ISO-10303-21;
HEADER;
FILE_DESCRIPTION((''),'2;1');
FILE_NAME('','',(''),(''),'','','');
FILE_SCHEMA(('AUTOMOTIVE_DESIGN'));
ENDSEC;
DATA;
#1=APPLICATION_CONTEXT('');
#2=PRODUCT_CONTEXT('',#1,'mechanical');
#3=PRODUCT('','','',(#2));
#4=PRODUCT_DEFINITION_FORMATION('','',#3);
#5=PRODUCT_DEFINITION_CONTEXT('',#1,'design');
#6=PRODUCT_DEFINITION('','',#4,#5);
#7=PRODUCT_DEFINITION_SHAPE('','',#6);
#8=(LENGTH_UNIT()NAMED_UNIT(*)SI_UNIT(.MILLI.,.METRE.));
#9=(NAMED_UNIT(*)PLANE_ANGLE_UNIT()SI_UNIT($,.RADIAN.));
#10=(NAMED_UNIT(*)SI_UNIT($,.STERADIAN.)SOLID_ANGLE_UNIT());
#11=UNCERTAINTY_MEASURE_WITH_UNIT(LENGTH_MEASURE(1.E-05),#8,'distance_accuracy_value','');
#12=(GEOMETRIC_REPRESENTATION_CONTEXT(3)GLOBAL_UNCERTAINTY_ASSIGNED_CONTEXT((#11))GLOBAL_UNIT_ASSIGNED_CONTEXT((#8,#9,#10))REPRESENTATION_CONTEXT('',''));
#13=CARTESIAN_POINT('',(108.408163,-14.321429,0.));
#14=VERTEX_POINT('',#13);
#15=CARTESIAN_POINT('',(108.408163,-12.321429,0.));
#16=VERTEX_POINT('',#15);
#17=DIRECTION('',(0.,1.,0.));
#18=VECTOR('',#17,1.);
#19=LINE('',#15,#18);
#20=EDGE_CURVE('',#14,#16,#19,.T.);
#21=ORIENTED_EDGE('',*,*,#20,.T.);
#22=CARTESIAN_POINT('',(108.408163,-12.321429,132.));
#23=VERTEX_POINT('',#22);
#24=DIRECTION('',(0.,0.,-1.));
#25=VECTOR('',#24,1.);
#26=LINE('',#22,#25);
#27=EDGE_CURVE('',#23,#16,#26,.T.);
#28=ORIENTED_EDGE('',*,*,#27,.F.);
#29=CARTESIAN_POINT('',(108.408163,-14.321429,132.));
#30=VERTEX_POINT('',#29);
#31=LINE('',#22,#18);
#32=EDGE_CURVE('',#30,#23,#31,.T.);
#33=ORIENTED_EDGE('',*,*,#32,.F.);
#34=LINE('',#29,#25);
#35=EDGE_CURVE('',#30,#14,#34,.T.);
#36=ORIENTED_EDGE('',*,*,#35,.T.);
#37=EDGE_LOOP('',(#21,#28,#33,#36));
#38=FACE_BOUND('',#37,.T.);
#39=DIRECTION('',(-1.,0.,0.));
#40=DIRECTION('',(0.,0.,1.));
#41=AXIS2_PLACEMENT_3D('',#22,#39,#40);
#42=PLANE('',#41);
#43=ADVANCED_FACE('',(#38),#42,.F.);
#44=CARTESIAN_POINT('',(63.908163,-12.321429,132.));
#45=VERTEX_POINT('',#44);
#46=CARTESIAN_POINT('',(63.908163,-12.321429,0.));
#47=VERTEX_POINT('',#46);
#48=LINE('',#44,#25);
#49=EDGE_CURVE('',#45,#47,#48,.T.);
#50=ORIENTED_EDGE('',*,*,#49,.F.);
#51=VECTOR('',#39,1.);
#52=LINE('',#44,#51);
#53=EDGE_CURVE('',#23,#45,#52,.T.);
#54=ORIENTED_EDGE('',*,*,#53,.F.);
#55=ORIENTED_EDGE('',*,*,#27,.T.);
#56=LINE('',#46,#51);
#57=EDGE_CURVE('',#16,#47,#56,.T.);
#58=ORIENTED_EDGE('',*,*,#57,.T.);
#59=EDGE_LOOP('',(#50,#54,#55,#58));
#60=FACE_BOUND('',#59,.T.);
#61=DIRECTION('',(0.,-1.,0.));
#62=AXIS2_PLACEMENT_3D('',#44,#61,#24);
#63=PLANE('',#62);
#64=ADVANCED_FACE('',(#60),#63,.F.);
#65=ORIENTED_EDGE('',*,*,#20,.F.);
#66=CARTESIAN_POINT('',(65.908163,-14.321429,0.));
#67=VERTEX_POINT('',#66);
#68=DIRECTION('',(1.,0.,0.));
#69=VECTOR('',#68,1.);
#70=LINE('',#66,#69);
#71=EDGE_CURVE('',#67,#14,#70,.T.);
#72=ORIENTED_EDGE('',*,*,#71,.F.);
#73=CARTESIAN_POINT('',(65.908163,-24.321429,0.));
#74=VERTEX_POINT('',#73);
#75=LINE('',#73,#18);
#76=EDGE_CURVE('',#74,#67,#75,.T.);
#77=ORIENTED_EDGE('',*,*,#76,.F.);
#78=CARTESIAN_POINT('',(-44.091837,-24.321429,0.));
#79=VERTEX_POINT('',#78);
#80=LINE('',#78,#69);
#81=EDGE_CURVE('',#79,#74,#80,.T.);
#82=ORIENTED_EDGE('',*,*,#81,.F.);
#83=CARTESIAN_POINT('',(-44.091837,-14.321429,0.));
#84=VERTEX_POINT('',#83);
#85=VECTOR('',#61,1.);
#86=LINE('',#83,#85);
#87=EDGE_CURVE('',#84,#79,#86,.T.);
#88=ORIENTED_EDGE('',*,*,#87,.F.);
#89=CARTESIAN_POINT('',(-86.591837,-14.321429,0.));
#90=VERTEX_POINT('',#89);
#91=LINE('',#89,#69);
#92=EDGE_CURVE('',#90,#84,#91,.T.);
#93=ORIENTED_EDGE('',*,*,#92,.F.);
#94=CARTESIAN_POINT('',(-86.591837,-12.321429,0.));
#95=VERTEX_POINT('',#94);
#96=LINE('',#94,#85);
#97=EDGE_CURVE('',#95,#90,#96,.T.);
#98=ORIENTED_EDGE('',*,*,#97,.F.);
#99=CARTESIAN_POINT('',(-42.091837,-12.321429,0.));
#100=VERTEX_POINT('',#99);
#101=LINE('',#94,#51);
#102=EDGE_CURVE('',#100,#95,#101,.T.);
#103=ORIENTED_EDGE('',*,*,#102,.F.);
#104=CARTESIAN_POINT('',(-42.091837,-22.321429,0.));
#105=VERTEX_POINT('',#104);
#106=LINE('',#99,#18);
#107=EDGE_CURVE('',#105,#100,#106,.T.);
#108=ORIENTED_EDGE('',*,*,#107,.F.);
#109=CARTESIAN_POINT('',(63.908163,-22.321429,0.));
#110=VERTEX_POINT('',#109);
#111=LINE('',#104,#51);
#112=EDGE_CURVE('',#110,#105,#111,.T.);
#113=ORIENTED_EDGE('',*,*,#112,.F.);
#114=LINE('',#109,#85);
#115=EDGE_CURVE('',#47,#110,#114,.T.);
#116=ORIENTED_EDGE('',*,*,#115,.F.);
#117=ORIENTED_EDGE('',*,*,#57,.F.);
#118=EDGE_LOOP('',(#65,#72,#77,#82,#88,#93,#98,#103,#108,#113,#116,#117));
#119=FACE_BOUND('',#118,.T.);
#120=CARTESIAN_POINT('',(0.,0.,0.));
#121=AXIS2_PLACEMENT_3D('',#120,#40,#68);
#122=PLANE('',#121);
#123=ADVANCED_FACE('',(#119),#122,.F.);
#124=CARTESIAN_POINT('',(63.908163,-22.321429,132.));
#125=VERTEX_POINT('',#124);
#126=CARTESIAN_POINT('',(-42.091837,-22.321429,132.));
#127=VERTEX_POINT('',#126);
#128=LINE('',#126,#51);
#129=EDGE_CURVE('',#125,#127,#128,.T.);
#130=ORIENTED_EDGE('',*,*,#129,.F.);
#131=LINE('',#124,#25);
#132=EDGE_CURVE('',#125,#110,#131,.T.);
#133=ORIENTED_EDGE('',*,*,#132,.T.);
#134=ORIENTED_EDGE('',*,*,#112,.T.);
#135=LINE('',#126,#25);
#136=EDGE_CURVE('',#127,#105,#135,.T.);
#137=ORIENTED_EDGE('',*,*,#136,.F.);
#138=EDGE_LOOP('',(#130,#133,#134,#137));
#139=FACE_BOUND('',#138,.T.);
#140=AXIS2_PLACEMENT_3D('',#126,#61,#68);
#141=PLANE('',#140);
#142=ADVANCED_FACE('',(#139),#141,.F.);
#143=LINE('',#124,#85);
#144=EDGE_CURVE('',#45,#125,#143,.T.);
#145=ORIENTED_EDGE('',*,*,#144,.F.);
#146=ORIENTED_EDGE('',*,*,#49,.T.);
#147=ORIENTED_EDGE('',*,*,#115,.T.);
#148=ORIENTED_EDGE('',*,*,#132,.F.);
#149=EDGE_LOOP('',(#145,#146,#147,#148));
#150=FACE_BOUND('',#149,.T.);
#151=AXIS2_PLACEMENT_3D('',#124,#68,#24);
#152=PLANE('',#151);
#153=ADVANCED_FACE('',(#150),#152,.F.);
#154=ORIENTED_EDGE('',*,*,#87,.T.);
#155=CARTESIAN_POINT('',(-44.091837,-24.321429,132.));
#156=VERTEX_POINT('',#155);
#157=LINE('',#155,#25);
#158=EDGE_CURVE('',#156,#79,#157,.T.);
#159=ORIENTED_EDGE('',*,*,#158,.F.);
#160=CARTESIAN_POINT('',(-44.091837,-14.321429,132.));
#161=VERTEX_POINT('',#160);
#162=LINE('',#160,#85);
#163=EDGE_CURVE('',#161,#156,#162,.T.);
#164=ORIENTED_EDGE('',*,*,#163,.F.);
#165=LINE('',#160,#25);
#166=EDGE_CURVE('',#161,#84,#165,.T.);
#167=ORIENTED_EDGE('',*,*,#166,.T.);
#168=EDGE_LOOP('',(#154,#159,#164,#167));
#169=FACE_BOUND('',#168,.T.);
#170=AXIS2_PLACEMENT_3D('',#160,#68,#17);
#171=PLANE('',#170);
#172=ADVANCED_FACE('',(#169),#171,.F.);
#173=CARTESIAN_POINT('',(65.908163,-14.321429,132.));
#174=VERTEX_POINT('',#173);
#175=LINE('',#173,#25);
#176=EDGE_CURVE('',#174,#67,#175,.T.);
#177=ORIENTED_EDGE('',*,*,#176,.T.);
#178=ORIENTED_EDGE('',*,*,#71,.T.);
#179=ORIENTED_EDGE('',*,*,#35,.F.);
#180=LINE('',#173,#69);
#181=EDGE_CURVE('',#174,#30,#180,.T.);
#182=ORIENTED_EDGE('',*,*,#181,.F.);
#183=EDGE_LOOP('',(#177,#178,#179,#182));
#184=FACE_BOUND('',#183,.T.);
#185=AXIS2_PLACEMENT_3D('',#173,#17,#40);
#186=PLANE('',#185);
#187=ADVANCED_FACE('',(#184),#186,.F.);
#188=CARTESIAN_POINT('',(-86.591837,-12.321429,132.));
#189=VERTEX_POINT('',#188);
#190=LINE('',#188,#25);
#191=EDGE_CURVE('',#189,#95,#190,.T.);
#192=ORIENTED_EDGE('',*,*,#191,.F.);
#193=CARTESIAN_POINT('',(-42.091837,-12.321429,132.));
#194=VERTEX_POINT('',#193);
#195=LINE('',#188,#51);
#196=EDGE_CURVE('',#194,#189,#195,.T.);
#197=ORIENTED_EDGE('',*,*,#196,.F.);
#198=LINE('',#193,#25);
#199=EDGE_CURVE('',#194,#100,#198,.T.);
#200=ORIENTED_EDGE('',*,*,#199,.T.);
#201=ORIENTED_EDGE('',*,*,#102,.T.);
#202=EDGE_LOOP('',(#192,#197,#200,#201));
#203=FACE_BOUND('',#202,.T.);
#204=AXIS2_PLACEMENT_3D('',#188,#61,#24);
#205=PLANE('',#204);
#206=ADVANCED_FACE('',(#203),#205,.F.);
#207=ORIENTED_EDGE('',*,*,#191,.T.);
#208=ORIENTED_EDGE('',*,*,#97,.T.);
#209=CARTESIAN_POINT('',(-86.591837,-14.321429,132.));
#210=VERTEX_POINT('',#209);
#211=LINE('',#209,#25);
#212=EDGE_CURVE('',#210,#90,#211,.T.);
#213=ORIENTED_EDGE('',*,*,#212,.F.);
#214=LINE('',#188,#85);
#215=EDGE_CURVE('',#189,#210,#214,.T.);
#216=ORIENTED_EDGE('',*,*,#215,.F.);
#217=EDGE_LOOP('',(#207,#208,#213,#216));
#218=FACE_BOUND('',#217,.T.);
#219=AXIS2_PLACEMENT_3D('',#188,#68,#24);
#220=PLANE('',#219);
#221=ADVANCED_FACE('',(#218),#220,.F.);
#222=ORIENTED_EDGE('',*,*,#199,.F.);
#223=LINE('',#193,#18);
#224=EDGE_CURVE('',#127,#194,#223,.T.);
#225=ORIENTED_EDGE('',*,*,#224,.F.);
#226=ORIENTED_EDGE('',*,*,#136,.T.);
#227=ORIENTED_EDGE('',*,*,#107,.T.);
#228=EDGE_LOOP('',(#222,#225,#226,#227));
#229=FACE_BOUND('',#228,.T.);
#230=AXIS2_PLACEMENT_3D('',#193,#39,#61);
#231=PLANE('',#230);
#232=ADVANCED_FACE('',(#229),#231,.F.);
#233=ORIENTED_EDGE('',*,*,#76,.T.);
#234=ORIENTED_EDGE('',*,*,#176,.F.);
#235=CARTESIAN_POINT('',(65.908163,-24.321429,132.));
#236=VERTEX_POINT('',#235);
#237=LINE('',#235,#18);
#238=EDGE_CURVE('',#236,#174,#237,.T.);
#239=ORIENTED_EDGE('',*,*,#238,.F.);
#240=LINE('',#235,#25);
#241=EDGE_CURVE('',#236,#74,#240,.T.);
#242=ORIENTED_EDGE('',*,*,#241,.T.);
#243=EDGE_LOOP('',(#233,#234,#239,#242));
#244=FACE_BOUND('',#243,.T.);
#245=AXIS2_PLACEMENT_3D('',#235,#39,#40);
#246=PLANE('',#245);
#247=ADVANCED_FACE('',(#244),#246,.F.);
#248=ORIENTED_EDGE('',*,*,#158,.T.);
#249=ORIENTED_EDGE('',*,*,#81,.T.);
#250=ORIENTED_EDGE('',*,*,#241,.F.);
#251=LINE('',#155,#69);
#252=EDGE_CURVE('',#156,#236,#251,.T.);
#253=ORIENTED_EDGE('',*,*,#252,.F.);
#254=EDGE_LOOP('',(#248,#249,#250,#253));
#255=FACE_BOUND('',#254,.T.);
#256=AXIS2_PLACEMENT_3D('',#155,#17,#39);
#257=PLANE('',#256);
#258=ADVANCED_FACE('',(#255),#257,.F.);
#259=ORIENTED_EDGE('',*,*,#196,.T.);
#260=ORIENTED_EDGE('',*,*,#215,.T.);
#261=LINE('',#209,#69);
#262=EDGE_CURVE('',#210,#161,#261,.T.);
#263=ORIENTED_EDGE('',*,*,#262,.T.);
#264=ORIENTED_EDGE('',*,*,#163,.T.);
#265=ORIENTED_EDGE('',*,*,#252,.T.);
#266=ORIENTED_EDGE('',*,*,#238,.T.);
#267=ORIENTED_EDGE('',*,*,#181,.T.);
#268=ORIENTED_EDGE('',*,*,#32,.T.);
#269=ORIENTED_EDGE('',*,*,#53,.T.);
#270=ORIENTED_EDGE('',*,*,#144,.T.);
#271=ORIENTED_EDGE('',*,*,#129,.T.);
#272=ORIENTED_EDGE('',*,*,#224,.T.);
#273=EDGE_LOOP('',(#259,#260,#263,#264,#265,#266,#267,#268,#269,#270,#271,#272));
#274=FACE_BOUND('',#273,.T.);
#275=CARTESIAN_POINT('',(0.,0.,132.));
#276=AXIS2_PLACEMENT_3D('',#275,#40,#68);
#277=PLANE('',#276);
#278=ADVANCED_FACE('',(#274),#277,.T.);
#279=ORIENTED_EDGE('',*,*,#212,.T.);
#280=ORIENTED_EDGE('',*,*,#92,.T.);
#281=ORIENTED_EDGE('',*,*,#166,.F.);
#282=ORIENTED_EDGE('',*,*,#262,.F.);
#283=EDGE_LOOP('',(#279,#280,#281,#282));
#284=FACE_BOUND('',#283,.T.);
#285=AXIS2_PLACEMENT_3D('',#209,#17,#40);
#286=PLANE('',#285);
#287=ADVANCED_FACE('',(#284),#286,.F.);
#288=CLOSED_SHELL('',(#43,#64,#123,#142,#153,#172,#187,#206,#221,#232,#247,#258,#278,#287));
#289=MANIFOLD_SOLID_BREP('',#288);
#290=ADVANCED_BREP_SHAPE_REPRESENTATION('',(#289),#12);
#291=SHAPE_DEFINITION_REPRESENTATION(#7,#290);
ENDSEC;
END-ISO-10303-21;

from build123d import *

# Parameters (mm, degrees)
BOSS_EXTRUDE1_DEPTH = 132


with BuildPart() as part:
    # Sketch1 → Boss-Extrude1 (new body)
    with BuildSketch(Plane.XY):
        Polygon((-86.591836735, -12.321428571), (-42.091836735, -12.321428571), (-42.091836735, -22.321428571), (63.908163265, -22.321428571), (63.908163265, -12.321428571), (108.408163265, -12.321428571), (108.408163265, -14.321428571), (65.908163265, -14.321428571), (65.908163265, -24.321428571), (-44.091836735, -24.321428571), (-44.091836735, -14.321428571), (-86.591836735, -14.321428571), align=None)
    extrude(amount=BOSS_EXTRUDE1_DEPTH)


solid = part.part
